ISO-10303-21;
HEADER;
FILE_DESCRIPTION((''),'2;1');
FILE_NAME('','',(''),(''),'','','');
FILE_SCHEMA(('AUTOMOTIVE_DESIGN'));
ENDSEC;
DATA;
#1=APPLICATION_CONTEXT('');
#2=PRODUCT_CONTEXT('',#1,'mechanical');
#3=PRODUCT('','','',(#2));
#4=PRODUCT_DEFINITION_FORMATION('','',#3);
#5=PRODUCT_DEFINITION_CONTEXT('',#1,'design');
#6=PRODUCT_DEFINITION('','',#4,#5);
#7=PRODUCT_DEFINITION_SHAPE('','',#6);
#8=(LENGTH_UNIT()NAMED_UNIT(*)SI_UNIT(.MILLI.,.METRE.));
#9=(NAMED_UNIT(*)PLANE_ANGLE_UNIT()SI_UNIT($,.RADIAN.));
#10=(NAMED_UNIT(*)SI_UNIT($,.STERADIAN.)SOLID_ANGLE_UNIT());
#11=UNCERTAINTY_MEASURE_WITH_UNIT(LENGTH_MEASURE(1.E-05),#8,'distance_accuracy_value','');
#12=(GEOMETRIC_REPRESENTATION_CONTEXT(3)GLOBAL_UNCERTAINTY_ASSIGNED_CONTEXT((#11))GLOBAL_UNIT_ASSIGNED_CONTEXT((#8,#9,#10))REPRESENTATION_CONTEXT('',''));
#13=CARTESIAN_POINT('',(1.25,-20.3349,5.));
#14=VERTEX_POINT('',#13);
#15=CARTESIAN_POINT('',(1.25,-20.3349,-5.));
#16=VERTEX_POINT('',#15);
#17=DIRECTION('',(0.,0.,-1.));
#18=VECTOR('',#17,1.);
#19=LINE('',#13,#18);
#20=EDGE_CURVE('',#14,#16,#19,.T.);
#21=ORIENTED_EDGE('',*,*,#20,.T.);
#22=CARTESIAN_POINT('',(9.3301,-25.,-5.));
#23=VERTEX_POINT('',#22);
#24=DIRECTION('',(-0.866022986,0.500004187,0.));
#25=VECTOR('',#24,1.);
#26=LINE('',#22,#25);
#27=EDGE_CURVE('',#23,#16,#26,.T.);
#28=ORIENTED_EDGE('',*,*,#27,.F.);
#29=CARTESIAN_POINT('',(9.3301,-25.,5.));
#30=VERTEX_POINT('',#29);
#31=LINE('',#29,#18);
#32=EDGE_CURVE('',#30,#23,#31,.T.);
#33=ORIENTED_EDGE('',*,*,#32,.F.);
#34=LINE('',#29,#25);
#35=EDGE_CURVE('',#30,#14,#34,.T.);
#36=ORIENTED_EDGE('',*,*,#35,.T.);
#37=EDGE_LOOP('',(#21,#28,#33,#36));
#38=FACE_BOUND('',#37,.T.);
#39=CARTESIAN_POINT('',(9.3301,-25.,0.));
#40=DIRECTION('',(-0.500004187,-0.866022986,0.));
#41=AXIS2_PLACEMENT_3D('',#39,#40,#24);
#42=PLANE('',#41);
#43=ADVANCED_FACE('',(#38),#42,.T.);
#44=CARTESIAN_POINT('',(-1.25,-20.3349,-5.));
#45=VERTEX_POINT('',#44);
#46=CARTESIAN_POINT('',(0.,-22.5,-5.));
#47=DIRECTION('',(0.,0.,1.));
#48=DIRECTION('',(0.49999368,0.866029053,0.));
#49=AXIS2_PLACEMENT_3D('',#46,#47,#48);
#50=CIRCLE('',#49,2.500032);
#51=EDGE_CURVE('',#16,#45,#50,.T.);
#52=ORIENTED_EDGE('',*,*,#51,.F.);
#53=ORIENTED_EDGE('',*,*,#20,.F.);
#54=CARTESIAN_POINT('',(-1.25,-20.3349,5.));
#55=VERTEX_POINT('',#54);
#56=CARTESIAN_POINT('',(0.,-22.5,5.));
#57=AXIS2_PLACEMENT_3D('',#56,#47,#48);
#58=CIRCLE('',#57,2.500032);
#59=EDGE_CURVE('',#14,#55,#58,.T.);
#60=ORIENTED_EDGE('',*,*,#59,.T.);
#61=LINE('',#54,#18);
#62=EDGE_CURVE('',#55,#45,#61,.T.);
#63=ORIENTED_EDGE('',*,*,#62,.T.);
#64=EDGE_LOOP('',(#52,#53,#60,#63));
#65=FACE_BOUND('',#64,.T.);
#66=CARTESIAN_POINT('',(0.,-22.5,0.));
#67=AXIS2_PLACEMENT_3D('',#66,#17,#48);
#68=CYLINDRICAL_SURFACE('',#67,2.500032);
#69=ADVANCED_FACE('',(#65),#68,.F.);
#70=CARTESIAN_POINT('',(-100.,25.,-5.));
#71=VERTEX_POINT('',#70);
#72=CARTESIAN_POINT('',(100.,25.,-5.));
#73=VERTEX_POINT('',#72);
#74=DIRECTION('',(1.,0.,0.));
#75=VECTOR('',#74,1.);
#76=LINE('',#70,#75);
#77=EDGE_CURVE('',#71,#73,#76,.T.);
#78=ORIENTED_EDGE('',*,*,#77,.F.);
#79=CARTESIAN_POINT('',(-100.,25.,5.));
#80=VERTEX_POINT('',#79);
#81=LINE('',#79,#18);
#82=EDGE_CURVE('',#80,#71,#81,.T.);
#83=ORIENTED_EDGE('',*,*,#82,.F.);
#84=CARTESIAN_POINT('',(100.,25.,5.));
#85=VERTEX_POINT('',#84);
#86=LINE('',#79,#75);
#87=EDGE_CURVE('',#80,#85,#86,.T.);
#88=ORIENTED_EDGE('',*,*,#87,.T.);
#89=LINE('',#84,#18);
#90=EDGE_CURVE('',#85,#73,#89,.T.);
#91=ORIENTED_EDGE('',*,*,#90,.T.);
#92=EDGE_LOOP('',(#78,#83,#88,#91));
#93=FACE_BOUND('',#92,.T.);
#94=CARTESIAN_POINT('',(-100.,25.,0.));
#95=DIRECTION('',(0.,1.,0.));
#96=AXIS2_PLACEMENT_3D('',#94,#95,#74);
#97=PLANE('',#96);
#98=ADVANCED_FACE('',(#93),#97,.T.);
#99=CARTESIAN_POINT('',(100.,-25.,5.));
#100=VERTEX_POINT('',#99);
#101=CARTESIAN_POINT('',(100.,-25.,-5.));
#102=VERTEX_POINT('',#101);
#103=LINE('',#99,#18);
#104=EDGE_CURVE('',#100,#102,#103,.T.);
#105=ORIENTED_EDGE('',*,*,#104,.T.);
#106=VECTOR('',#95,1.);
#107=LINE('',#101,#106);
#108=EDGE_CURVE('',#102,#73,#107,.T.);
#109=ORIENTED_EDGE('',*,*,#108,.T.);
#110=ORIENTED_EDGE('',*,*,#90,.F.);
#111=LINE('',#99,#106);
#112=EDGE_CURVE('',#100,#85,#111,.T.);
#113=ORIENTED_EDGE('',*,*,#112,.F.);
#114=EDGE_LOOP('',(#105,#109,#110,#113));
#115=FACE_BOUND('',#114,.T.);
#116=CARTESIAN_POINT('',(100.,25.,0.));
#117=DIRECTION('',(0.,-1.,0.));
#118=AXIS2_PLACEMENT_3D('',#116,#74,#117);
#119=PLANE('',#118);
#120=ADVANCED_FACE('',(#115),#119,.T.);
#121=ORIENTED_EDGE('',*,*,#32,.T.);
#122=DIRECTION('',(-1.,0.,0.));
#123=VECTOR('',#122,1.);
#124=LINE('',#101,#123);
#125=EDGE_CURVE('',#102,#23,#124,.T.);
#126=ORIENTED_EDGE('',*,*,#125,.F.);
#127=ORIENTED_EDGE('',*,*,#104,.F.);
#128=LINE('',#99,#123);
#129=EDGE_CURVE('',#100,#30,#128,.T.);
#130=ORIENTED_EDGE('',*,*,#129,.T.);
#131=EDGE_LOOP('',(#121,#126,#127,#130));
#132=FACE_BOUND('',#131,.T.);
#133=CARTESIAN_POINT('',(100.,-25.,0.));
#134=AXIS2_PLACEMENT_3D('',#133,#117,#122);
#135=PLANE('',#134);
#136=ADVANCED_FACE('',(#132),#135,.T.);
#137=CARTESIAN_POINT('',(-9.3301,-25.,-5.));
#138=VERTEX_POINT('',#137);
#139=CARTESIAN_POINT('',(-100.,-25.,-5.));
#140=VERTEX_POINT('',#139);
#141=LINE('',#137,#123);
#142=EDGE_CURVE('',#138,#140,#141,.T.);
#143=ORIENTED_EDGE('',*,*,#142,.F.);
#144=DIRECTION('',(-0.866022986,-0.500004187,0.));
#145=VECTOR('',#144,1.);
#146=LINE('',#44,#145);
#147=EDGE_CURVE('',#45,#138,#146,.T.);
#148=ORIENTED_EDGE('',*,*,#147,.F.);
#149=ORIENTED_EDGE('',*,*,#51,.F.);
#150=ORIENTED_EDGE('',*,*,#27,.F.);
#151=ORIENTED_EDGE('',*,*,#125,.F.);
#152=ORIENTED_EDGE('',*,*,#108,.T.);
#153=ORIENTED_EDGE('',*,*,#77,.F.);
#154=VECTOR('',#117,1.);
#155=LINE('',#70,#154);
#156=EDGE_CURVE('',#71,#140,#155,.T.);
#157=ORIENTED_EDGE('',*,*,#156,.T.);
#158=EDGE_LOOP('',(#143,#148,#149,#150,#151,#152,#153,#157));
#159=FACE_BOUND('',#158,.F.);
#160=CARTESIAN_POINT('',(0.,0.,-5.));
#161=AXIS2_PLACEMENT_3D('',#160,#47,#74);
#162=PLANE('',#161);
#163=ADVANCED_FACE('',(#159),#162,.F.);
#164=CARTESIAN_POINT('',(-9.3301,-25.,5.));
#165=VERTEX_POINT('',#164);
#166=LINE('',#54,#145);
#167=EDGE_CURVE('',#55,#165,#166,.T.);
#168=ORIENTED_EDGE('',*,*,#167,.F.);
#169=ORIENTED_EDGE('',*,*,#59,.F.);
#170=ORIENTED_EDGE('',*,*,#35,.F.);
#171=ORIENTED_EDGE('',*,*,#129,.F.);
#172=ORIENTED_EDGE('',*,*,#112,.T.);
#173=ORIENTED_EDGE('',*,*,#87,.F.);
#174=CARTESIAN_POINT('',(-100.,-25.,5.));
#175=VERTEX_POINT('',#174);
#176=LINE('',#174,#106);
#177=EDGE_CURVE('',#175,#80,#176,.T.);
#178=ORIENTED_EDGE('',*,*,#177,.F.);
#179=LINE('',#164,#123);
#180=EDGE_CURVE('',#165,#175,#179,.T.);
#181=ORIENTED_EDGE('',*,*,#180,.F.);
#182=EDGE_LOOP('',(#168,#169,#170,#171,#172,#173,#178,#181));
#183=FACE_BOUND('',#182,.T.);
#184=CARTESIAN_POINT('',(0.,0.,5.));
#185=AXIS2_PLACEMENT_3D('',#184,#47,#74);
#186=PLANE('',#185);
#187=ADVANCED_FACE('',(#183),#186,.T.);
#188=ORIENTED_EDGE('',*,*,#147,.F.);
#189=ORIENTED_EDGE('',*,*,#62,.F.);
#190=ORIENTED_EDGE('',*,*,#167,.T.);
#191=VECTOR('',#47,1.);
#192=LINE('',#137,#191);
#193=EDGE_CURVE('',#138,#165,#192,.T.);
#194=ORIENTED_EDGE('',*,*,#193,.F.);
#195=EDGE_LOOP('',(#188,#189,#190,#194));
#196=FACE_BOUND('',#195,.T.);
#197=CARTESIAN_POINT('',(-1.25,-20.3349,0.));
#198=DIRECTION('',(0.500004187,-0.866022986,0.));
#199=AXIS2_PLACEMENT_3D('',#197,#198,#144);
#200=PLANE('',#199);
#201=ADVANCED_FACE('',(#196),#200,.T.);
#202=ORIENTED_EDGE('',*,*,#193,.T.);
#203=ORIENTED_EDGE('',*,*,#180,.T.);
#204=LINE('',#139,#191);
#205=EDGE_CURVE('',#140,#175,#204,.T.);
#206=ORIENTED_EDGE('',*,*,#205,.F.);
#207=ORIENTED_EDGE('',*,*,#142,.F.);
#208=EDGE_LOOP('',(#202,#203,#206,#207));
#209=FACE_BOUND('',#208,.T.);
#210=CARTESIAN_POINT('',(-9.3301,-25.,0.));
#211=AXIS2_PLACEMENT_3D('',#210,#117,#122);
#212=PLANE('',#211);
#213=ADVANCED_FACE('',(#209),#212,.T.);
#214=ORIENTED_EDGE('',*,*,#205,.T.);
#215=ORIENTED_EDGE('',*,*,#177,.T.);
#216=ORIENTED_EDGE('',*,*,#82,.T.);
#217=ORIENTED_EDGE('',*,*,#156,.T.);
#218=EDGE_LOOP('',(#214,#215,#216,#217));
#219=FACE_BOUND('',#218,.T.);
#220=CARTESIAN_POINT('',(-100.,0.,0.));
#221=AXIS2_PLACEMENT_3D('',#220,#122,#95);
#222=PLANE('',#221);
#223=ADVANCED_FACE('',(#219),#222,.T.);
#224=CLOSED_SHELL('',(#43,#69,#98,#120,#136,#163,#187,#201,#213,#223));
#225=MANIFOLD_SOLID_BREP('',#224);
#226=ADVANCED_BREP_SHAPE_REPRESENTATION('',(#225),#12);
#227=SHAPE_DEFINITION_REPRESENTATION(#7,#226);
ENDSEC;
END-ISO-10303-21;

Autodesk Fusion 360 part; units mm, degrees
sketch "Sketch1" plane through (0, 0, 0) normal (0, 0, 1) x (1, 0, 0)
  line L0 (-100, 0) -> (-100, 25)
  line L1 (-100, 25) -> (100, 25)
  line L2 (100, 25) -> (100, 0)
  line L3 (100, 0) -> (100, -25)
  line L4 (100, -25) -> (9.3301, -25)
  line L5 (9.3301, -25) -> (1.25, -20.3349)
  arc A0 (1.25, -20.3349) -> (-1.25, -20.3349) centre (0, -22.5) ccw
  line L6 (-1.25, -20.3349) -> (-9.3301, -25)
  line L7 (-9.3301, -25) -> (-100, -25)
  line L8 (-100, -25) -> (-100, 0)
  line L9 (-100, 0) -> (100, 0) construction
  line L10 (0, 0) -> (0, -22.5) construction
  line L11 (-100, -20) -> (100, -20) construction
  dimension "Total_Width" = 200
  dimension "Total_Height" = 50
  dimension "Notch_Radius" = 2.5
  dimension "Notch_Theta" = 120
  dimension "Notch_Height" = 5
extrude "Extrude1" add sketch "Sketch1" along normal mid plane 10
equation "Thickness = 1 cm"
